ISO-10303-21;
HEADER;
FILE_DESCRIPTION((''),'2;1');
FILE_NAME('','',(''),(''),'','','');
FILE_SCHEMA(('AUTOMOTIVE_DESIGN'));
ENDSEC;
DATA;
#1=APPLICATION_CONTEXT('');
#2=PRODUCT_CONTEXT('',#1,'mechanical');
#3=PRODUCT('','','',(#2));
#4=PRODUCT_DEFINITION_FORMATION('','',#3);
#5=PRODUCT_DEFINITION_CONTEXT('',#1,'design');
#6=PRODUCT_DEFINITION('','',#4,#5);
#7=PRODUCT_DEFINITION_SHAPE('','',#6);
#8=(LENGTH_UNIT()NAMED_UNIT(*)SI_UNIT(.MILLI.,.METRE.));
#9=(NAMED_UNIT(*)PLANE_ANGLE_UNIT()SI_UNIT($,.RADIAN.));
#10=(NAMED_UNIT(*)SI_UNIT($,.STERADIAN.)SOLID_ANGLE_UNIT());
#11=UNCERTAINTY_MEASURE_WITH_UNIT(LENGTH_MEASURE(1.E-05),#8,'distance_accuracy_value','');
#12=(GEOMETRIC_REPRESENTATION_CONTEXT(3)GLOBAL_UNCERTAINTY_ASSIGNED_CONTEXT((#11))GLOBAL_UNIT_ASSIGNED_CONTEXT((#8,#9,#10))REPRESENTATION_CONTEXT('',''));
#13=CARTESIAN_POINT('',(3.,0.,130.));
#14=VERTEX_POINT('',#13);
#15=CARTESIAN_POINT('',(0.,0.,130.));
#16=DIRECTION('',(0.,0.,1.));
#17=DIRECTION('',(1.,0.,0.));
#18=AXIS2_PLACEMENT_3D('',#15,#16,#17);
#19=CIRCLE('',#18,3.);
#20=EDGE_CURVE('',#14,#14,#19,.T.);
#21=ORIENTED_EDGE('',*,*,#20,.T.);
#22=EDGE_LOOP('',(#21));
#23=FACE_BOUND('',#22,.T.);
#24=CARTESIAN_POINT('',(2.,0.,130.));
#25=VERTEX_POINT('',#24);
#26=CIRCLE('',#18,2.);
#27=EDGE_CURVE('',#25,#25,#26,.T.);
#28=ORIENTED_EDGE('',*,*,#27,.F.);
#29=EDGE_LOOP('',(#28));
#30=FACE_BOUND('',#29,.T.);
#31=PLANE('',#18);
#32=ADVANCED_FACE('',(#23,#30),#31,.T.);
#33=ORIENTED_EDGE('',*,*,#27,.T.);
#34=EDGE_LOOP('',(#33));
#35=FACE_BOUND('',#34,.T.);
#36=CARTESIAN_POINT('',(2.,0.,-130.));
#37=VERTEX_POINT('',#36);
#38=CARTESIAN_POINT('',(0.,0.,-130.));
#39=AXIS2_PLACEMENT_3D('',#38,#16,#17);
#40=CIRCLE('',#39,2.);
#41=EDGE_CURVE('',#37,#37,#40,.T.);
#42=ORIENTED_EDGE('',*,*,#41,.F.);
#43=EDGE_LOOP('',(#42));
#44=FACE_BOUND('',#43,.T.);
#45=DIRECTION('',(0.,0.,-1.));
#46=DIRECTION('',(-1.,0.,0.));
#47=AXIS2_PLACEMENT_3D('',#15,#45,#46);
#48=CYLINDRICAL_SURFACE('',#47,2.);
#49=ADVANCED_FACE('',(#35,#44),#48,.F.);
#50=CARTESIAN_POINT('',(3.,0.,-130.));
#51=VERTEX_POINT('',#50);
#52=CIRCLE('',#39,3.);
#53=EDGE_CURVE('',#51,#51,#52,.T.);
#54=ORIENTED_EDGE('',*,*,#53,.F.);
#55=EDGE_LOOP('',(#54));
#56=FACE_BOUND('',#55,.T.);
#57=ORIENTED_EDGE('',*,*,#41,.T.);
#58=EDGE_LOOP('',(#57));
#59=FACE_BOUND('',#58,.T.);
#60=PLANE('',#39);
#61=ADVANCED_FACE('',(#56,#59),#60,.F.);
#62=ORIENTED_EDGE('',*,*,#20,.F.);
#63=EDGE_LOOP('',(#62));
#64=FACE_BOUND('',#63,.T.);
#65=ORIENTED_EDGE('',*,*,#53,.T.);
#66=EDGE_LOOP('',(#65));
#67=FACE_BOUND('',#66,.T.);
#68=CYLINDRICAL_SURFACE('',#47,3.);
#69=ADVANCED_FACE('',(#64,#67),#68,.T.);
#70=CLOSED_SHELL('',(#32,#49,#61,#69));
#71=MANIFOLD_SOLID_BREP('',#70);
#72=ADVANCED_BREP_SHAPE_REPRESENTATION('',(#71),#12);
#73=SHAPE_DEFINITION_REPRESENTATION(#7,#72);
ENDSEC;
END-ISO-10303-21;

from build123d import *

# Parameters (mm, degrees)
SKETCH1_R           = 3
SKETCH1_R_2         = 2
BOSS_EXTRUDE1_DEPTH = 130


with BuildPart() as part:
    # Sketch1 → Boss-Extrude1 (new, symmetric)
    with BuildSketch(Plane.XY):
        Circle(SKETCH1_R)
        Circle(SKETCH1_R_2, mode=Mode.SUBTRACT)
    extrude(amount=BOSS_EXTRUDE1_DEPTH, both=True)


solid = part.part
